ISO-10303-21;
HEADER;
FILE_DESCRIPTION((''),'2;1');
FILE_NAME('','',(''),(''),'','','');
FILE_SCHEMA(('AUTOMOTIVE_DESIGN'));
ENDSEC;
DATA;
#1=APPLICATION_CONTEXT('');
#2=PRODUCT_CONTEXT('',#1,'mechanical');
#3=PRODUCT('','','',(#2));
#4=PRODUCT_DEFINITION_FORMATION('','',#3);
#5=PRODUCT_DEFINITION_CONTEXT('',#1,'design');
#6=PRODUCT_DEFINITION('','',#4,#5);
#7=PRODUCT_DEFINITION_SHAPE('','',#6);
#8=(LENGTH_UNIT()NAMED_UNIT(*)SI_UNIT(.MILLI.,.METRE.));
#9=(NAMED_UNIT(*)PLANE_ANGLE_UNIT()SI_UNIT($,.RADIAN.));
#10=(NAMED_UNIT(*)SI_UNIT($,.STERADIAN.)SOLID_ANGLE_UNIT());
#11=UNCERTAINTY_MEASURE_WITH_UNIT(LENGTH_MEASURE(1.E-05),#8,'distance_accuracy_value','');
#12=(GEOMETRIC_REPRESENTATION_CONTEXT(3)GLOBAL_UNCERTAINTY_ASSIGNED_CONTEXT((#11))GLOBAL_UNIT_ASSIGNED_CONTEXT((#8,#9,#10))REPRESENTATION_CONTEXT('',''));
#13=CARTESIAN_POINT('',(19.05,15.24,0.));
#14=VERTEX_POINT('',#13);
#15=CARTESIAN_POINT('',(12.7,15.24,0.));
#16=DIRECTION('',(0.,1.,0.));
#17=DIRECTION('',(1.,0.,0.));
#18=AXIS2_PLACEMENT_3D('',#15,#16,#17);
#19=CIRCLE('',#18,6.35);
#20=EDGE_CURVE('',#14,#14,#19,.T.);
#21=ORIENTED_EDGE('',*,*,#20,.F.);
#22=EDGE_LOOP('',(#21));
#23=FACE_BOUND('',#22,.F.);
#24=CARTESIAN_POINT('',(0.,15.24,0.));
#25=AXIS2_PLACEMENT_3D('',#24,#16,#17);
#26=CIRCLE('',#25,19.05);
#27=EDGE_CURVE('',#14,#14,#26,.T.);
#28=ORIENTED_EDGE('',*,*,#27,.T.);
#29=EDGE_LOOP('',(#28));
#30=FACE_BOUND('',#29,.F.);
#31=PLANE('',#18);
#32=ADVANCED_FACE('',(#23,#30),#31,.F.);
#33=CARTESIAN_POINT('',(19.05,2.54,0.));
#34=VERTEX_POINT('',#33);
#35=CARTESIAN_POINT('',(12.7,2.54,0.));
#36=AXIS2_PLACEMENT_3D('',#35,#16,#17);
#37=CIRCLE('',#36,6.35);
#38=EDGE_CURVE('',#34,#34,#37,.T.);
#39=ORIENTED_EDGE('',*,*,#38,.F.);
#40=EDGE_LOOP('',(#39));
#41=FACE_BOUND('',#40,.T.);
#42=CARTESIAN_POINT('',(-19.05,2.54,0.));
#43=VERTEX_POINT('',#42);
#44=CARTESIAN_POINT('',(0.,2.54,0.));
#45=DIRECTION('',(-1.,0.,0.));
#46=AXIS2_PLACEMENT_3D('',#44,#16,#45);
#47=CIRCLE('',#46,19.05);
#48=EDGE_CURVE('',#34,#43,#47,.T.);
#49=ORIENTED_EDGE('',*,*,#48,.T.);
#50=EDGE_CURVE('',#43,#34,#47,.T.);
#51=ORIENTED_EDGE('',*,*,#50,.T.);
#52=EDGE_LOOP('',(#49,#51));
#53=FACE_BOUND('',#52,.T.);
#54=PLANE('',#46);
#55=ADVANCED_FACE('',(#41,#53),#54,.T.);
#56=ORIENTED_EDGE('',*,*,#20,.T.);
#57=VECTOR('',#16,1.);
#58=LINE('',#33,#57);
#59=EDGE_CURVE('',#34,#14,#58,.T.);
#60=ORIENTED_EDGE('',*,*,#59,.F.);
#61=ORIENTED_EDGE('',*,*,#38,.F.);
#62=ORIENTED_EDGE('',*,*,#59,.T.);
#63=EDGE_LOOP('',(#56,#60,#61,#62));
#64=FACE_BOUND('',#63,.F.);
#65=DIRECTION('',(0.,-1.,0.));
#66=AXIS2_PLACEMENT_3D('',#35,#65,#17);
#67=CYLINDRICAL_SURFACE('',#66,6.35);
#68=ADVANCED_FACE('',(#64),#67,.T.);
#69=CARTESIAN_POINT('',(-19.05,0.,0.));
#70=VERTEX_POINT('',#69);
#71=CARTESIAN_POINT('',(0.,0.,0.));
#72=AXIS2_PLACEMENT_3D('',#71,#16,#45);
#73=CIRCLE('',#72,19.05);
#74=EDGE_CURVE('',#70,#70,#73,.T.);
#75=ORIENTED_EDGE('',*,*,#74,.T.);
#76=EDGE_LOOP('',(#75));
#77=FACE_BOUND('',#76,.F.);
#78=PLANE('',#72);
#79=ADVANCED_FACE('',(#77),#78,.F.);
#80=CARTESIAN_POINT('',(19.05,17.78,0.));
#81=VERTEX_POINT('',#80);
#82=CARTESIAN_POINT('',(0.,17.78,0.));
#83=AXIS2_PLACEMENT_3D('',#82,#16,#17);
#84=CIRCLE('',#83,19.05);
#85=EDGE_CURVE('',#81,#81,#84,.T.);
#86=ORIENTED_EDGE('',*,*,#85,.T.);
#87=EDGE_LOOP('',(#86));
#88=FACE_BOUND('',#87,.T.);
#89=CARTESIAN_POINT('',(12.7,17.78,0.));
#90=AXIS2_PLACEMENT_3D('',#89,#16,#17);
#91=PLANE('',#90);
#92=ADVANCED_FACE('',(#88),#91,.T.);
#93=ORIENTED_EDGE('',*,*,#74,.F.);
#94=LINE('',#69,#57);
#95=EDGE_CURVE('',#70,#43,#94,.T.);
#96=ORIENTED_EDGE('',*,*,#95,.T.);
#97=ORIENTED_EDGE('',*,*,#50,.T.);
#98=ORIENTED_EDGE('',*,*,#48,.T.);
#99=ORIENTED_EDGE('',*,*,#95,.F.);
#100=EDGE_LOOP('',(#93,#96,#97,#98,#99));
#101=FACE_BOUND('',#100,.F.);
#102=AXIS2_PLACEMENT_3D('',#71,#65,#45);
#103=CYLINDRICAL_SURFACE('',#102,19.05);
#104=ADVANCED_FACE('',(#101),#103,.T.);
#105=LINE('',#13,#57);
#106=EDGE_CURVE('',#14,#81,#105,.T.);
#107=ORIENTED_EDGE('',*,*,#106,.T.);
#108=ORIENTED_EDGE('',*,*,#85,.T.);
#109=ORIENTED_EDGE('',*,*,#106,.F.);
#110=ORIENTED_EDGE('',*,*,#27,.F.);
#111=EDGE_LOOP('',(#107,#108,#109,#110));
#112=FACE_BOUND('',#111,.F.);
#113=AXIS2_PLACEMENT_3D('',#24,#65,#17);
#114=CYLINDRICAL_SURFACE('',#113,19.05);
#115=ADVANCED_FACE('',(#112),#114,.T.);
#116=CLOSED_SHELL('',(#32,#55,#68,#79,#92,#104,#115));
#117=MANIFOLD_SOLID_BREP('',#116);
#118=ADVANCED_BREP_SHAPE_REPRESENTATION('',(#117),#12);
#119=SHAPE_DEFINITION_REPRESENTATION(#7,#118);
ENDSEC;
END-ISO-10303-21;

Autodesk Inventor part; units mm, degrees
ref_plane "YZ Plane" through (0, 0, 0) normal (1, 0, 0) x (0, 1, 0)
ref_plane "XZ Plane" through (0, 0, 0) normal (0, 1, 0) x (-1, 0, 0)
ref_plane "XY Plane" through (0, 0, 0) normal (0, 0, 1) x (1, 0, 0)
sketch "Sketch1" plane through (0, 0, 0) normal (0, 1, 0) x (-1, 0, 0)
  circle A0 centre (0, 0) radius 19.05
  dimension "d0" = 38.1
extrude "Extrusion1" add sketch "Sketch1" along normal blind 2.54
sketch "Sketch2" plane through (0, 2.54, 0) normal (0, 1, 0) x (1, 0, 0)
  circle A0 centre (12.7, 0) radius 6.35
  point P0 (0, 0)
  dimension "d3" = 12.7
  dimension "d4" = 12.7
extrude "Extrusion2" add sketch "Sketch2" along normal blind 12.7
sketch "Sketch3" plane through (12.7, 15.24, 0) normal (0, 1, 0) x (1, 0, 0)
  circle A0 centre (-12.7, 0) radius 19.05 projected
extrude "Extrusion3" add sketch "Sketch3" along normal blind 2.54
properties part number "ConcentricSupportTest1"
